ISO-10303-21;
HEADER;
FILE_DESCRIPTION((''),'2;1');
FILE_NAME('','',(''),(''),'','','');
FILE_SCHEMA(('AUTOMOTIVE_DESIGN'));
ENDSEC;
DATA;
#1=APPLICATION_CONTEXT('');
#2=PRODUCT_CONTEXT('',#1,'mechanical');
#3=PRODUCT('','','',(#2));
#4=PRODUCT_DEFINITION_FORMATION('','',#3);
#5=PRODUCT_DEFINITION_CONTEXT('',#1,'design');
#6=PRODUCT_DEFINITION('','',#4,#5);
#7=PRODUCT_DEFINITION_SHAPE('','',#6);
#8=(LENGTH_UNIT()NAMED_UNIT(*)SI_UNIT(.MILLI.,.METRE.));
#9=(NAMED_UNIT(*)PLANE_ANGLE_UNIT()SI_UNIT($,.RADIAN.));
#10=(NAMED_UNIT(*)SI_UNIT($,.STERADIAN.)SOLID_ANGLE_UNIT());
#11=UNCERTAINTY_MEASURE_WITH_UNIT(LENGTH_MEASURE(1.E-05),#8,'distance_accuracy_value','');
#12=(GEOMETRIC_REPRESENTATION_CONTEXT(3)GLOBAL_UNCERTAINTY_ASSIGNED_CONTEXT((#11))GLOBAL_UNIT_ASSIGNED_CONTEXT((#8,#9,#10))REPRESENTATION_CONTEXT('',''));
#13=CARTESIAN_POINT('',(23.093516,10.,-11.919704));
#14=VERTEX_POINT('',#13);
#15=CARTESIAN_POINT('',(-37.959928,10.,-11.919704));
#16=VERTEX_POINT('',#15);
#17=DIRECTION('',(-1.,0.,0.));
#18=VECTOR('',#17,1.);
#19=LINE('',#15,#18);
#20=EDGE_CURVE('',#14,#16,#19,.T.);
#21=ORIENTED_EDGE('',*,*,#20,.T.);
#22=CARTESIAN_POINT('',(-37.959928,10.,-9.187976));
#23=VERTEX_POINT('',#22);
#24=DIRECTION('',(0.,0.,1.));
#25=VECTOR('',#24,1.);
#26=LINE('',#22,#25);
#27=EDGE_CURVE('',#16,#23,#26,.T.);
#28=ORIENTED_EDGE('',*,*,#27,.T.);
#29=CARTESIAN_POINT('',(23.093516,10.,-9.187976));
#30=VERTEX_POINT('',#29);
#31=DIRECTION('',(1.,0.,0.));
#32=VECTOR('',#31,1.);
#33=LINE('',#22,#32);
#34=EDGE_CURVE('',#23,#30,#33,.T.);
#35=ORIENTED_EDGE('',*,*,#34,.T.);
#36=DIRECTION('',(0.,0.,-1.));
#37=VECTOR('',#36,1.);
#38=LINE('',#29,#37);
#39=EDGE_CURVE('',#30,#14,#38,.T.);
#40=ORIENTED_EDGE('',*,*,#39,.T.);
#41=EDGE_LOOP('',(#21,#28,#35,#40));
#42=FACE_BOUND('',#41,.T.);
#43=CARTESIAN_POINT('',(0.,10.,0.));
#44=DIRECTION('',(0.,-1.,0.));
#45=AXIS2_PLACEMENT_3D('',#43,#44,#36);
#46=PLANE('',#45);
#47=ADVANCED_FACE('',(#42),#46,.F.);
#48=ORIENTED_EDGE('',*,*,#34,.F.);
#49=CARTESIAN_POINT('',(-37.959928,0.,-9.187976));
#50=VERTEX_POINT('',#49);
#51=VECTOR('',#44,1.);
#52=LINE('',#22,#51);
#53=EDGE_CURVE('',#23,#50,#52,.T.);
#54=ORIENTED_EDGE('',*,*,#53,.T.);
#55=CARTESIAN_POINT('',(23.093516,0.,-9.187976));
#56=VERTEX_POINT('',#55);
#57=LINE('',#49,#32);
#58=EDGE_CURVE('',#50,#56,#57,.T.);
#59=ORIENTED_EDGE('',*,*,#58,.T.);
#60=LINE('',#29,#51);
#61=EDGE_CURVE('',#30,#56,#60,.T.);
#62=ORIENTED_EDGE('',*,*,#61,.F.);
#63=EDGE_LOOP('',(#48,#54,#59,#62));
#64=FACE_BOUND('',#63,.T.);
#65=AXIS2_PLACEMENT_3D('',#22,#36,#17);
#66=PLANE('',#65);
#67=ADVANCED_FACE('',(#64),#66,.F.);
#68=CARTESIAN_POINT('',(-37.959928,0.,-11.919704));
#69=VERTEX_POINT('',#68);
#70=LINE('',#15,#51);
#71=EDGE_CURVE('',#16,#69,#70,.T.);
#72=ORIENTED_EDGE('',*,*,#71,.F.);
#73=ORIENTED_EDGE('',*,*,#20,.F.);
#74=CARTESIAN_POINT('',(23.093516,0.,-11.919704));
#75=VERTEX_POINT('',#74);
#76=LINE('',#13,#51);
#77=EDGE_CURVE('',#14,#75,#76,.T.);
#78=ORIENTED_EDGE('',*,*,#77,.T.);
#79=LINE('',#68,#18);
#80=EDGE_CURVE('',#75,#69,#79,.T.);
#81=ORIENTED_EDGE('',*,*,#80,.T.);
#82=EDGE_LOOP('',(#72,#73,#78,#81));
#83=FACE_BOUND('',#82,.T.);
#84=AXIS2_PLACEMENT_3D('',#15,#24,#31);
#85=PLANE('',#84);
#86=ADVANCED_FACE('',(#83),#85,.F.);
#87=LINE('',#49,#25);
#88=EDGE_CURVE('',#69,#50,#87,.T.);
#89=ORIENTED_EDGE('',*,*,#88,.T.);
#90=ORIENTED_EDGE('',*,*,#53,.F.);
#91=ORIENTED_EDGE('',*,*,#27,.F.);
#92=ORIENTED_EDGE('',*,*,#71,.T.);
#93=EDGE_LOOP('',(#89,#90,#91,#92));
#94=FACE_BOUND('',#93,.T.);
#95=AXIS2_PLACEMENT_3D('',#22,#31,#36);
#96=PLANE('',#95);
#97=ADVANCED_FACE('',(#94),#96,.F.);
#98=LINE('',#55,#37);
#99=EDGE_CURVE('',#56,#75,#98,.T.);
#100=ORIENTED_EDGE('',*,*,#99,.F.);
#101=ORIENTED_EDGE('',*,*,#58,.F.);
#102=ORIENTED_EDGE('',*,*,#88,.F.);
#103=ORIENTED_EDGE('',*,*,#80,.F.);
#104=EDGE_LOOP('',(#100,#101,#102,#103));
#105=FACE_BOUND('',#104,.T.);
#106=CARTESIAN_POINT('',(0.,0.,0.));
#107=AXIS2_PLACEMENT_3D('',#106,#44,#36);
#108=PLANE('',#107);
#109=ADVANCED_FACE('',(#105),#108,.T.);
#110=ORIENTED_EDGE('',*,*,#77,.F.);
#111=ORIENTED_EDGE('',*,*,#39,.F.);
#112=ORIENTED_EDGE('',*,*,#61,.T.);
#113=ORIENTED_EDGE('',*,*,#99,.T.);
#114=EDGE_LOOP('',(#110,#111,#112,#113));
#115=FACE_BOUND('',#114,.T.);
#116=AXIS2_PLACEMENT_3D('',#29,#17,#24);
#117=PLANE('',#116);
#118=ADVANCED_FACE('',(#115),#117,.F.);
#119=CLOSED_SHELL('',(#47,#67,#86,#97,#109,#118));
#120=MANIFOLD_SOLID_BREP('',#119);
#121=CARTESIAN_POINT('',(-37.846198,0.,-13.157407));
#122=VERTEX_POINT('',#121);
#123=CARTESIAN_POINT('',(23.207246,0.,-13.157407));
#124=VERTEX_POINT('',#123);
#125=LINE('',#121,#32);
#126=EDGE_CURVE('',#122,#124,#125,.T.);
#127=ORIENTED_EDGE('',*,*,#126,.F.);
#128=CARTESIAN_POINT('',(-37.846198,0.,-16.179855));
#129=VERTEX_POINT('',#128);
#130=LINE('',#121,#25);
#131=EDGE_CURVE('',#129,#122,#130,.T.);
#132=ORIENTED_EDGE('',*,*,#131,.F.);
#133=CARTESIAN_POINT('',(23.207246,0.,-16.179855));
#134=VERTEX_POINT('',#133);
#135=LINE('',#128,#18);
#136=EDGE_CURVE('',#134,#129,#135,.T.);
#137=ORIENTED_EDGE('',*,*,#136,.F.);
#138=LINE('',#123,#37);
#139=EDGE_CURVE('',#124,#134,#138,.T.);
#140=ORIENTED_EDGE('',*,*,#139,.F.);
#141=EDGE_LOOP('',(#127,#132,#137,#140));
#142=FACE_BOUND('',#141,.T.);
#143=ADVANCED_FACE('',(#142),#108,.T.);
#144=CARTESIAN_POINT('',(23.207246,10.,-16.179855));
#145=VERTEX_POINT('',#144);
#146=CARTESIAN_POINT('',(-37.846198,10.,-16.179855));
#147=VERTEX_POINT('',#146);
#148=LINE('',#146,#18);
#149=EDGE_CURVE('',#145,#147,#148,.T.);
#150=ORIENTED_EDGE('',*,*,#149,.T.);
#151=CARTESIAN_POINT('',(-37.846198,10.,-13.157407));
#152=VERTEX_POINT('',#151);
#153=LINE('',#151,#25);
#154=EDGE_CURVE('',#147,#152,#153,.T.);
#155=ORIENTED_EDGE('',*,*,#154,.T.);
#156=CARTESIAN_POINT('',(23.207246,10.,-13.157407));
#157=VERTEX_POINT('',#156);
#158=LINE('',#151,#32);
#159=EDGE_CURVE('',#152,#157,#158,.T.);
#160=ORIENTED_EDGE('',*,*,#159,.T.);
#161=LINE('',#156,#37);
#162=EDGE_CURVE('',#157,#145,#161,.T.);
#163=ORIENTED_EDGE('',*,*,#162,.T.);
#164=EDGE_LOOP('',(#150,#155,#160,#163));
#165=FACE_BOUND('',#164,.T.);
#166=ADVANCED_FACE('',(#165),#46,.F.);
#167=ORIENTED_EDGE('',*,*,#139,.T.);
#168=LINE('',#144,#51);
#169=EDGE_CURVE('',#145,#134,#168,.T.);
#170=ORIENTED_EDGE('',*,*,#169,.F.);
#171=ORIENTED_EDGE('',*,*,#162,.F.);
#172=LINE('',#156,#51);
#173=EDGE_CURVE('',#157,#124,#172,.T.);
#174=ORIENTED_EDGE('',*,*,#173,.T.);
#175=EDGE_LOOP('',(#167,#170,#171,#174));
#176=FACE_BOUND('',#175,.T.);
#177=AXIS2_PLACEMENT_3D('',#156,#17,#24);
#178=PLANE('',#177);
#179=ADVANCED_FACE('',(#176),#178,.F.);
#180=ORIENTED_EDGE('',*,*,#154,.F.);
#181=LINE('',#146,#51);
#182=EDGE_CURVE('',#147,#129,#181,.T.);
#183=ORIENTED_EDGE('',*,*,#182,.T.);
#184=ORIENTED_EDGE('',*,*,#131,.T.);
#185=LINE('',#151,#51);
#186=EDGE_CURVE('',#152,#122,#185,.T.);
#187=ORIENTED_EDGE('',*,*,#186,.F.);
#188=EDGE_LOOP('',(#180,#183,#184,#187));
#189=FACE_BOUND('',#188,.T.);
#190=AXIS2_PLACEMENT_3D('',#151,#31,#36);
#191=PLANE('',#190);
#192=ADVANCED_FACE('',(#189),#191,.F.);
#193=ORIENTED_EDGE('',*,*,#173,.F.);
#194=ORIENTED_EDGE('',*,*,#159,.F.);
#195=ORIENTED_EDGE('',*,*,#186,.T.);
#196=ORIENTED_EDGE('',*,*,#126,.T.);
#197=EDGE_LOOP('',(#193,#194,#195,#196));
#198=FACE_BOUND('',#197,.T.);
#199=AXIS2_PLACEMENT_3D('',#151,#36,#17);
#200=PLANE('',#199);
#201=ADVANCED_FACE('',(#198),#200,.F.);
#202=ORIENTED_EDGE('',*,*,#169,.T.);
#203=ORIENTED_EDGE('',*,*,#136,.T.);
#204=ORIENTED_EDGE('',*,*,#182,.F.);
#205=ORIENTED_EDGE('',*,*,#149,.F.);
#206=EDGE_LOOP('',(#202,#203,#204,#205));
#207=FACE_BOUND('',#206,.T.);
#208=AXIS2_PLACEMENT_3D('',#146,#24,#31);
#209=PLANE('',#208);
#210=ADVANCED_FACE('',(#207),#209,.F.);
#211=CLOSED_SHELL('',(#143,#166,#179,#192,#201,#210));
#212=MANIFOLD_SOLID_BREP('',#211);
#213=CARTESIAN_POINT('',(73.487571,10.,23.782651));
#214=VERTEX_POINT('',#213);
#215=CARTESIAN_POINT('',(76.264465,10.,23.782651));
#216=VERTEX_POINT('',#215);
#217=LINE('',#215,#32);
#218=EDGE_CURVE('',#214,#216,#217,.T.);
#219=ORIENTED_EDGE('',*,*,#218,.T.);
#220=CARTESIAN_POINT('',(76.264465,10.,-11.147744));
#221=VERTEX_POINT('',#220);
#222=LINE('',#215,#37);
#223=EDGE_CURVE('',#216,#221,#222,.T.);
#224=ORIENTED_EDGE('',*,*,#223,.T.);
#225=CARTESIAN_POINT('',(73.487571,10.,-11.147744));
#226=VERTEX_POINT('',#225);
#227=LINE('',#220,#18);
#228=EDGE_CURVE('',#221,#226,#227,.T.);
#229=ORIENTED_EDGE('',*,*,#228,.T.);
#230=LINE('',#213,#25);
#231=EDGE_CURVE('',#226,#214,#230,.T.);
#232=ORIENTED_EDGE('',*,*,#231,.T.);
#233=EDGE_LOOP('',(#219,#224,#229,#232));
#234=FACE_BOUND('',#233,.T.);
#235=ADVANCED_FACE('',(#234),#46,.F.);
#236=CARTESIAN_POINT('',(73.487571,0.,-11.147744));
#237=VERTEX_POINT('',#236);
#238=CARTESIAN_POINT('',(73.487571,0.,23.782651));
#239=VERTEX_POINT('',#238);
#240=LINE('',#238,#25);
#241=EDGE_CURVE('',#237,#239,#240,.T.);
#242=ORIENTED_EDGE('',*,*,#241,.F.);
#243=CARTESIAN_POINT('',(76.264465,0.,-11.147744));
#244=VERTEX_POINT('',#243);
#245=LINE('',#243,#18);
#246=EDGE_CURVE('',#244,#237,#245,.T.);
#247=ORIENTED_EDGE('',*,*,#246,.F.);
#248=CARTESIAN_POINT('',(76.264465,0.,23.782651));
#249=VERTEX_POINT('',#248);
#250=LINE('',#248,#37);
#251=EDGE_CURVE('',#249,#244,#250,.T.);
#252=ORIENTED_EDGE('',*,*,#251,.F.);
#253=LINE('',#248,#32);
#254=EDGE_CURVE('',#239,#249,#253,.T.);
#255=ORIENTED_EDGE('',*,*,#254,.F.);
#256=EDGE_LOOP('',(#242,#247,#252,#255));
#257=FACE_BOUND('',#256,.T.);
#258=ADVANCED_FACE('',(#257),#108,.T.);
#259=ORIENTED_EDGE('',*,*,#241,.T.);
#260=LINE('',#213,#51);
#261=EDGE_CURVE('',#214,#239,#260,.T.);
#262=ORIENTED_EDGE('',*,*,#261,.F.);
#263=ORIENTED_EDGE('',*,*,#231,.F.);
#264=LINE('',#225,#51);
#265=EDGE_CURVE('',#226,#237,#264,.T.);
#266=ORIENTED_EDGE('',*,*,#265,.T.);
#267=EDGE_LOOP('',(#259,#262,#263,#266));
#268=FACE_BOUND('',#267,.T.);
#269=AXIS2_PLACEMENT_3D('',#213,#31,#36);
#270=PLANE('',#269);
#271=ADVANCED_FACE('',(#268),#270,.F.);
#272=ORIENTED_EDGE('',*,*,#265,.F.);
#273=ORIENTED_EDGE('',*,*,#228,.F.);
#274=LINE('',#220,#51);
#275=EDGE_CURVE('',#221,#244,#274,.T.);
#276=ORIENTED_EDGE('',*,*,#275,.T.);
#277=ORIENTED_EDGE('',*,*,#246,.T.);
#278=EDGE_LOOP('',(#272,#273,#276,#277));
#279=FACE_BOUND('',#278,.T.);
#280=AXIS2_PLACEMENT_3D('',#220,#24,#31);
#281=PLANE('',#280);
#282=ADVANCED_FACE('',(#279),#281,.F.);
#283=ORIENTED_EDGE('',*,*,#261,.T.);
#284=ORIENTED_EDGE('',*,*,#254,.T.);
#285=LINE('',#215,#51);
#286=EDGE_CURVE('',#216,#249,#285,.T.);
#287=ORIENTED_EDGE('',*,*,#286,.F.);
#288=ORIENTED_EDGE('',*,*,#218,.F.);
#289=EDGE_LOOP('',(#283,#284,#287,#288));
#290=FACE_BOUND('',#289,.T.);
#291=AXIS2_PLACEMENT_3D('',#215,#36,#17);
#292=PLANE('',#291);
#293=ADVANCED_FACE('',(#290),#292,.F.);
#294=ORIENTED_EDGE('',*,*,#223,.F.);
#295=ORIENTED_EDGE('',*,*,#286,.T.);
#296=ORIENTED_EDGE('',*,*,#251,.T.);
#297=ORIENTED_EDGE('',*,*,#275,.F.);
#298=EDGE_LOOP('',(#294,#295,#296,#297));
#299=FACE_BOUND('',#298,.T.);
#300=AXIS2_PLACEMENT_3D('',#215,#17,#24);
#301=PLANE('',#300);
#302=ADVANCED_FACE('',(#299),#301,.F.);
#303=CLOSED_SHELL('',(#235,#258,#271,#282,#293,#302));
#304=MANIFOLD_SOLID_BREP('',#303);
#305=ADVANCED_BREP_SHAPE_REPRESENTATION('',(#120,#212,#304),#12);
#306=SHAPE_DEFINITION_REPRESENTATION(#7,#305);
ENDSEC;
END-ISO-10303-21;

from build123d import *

# Parameters (mm, degrees)
SKETCH1_W             = 61.053444607
SKETCH1_H             = 3.022447753
BOSS_EXTRUDE1_DEPTH   = 10
SKETCH1_W_2           = 61.053444606
SKETCH1_H_2           = 2.731728324
BOSS_EXTRUDE1_2_DEPTH = 10
SKETCH1_W_3           = 2.776893353
SKETCH1_H_3           = 34.930395329
BOSS_EXTRUDE1_3_DEPTH = 10


with BuildPart() as part:
    # Sketch1 → Boss-Extrude1 (new body)
    with BuildSketch(Plane(origin=(0, 0, 0), x_dir=(1, 0, 0), z_dir=(0, 1, 0))):
        with Locations((-7.319475954, 14.668631102)):
            Rectangle(SKETCH1_W, SKETCH1_H)
    extrude(amount=BOSS_EXTRUDE1_DEPTH)


with BuildPart() as body_2:
    # Sketch1 → Boss-Extrude1 2 (new body)
    with BuildSketch(Plane(origin=(0, 0, 0), x_dir=(1, 0, 0), z_dir=(0, 1, 0))):
        with Locations((-7.433205843, 10.553839763)):
            Rectangle(SKETCH1_W_2, SKETCH1_H_2)
    extrude(amount=BOSS_EXTRUDE1_2_DEPTH)


with BuildPart() as body_3:
    # Sketch1 → Boss-Extrude1 3 (new body)
    with BuildSketch(Plane(origin=(0, 0, 0), x_dir=(1, 0, 0), z_dir=(0, 1, 0))):
        with Locations((74.876018125, -6.317453736)):
            Rectangle(SKETCH1_W_3, SKETCH1_H_3)
    extrude(amount=BOSS_EXTRUDE1_3_DEPTH)


solid = Compound([part.part, body_2.part, body_3.part])
